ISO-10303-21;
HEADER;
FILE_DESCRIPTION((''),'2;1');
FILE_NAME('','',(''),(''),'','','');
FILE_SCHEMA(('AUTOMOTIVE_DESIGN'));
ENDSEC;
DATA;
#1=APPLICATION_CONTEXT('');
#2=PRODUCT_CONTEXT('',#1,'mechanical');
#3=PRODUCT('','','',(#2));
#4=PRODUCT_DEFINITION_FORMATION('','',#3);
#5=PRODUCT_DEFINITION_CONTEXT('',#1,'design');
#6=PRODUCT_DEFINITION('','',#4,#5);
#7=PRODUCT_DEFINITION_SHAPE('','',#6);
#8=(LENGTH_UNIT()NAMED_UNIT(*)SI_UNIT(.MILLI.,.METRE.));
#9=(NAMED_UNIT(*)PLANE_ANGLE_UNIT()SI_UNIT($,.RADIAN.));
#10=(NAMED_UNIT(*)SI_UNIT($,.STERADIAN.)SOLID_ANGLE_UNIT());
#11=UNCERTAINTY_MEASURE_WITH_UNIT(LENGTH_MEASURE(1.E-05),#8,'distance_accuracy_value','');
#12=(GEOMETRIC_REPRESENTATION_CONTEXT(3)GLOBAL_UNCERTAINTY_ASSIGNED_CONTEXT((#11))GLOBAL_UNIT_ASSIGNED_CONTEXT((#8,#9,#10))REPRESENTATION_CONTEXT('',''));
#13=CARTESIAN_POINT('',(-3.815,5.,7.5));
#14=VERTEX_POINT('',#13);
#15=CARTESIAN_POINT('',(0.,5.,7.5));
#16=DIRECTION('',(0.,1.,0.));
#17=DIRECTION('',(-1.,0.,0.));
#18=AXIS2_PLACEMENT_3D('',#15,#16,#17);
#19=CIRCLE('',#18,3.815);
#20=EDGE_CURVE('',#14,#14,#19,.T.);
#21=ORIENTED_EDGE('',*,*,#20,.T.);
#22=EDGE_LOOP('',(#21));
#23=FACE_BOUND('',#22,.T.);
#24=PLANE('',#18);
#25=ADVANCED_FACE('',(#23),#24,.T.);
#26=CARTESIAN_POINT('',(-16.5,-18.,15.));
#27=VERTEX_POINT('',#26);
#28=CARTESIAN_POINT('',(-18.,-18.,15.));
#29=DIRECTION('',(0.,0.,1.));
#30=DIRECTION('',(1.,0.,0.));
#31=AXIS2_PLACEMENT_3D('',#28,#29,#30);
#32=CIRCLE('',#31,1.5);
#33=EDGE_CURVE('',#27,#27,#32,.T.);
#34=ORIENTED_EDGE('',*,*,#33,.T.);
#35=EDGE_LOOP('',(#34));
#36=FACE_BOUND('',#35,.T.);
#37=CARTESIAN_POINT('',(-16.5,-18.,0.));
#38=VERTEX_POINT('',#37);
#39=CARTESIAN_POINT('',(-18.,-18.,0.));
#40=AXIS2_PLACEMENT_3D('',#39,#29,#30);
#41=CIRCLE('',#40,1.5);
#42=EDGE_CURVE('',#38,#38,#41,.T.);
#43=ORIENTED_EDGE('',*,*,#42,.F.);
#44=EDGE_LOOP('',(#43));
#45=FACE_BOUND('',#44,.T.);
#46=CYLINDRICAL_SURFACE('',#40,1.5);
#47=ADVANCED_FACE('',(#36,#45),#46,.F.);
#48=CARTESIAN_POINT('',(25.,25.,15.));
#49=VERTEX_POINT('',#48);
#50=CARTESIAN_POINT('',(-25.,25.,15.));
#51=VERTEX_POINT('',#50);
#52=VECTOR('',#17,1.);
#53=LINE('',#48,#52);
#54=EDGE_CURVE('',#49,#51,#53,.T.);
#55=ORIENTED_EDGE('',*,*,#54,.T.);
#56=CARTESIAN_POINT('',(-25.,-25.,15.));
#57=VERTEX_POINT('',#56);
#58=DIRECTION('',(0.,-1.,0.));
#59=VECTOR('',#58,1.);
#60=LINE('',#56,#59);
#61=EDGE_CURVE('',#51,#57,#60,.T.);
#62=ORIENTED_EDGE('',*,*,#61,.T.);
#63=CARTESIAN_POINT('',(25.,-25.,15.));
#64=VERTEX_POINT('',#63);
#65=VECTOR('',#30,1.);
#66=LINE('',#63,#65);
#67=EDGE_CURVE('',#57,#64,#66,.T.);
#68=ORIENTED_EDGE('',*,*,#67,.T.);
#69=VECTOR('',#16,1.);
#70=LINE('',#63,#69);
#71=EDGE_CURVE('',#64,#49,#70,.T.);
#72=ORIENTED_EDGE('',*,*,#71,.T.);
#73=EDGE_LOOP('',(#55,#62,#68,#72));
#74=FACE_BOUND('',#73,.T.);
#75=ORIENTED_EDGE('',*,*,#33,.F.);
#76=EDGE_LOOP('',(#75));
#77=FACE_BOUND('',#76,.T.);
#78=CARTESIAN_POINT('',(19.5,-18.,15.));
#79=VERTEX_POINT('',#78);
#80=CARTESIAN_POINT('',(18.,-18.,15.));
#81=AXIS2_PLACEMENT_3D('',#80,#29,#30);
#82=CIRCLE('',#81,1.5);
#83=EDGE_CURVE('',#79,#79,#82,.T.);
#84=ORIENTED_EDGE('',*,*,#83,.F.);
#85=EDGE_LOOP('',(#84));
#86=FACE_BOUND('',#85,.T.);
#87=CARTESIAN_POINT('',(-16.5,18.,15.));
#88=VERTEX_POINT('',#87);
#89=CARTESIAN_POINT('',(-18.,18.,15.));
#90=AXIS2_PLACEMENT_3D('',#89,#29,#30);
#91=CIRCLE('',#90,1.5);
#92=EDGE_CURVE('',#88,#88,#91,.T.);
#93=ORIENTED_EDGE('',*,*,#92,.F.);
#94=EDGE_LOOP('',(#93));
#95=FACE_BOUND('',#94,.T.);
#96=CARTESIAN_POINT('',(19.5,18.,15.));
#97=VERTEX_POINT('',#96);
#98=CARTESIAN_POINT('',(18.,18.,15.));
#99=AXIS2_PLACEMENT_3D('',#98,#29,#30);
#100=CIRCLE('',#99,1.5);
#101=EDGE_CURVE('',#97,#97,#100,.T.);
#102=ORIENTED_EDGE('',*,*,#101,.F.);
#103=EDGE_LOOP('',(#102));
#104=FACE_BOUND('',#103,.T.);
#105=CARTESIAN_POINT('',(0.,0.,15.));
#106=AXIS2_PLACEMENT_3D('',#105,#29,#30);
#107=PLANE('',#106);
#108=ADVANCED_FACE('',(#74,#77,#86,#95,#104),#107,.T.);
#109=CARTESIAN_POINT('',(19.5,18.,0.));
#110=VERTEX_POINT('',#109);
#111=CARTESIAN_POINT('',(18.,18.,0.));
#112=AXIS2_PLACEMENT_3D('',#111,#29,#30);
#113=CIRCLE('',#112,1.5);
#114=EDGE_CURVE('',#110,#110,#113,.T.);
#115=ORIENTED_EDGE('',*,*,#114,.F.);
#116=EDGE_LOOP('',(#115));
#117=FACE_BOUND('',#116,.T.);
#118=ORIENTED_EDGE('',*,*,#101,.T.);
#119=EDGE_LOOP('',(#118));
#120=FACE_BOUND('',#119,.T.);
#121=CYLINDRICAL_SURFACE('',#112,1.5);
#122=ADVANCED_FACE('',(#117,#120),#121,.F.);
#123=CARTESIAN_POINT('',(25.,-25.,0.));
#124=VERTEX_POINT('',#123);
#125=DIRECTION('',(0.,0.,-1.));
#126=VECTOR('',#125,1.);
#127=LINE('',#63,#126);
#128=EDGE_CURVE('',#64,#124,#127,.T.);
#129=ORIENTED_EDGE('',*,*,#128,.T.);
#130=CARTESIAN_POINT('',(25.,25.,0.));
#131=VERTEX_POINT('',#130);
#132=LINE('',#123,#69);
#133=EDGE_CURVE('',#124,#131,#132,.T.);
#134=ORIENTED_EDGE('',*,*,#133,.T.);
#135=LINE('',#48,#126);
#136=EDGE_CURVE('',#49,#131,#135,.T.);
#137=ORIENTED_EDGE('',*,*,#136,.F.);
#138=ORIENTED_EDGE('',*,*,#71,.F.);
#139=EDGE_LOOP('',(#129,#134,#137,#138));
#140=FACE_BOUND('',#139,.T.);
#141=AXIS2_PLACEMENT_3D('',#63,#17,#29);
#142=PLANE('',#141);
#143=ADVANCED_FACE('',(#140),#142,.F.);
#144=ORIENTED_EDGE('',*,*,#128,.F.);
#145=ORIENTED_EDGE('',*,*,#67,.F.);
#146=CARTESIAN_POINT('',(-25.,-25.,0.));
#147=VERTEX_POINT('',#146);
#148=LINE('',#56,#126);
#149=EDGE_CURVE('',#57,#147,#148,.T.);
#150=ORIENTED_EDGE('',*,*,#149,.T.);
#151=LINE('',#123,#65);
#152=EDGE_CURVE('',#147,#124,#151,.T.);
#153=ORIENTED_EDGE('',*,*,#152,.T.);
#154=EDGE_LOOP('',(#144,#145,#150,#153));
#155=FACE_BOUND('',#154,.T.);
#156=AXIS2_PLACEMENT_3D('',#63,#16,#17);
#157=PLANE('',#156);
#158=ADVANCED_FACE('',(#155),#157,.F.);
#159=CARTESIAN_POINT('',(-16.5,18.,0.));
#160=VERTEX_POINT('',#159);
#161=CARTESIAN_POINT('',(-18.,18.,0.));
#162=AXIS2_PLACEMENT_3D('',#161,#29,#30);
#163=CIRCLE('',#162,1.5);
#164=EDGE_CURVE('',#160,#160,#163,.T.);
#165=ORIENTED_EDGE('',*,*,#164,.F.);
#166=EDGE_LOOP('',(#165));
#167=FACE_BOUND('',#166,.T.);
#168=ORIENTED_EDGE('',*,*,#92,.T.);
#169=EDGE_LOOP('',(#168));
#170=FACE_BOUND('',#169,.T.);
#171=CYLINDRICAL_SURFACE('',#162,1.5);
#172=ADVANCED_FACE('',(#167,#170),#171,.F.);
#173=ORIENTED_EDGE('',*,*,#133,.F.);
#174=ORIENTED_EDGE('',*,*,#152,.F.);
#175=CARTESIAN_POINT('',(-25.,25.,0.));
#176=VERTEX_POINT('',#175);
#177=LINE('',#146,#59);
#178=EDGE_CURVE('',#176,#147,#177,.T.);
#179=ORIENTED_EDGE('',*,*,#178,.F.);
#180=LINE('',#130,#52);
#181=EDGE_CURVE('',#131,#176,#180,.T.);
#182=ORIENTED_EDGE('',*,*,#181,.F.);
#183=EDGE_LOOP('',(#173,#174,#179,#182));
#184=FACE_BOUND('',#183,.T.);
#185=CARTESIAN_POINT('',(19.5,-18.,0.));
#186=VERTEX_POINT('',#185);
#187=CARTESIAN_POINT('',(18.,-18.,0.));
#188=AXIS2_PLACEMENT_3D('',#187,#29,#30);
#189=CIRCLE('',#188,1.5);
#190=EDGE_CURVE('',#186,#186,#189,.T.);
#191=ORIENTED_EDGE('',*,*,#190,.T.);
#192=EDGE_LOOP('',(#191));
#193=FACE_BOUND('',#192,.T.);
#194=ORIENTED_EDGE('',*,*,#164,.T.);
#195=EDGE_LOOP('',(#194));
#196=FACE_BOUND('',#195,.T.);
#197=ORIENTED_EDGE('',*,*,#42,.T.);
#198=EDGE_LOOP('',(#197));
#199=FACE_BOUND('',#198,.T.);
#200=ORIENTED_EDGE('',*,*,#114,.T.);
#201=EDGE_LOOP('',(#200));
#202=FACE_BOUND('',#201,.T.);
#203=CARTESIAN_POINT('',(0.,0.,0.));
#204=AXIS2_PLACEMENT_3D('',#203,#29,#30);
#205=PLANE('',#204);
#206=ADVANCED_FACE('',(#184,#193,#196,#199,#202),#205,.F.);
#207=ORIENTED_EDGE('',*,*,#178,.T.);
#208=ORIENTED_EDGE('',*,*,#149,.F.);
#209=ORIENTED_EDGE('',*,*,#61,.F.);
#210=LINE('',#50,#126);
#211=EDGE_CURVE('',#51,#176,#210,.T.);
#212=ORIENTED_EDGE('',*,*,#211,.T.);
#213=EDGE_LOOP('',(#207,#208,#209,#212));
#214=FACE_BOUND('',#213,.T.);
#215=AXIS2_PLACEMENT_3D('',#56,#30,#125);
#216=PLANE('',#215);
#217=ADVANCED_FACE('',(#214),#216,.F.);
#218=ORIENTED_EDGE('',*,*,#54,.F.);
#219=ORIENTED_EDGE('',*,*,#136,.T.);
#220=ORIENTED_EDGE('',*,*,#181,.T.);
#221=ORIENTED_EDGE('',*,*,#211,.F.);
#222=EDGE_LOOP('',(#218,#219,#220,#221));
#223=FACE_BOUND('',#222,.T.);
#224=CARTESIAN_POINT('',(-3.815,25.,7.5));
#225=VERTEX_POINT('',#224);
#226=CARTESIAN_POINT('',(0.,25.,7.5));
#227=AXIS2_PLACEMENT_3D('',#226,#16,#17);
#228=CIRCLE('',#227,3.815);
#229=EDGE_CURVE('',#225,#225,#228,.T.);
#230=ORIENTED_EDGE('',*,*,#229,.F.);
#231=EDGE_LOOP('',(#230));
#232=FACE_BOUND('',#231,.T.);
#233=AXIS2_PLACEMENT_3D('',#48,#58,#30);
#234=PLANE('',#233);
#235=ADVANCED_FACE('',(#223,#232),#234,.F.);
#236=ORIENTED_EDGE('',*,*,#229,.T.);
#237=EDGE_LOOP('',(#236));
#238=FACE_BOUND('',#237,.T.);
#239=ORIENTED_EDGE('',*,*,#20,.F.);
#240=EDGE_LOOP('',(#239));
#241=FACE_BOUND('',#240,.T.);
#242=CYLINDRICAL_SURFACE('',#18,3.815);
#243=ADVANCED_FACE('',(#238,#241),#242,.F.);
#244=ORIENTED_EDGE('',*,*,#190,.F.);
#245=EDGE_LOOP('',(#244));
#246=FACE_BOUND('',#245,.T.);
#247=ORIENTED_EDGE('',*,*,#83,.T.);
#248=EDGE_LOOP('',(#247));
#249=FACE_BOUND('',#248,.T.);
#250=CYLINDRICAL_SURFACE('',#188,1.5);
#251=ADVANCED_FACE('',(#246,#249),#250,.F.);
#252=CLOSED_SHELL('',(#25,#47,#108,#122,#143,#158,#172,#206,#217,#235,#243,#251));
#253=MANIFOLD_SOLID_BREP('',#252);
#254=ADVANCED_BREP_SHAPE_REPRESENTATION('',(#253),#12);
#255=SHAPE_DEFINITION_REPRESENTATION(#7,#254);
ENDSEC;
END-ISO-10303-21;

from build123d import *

# Parameters (mm, degrees)
ESBO_O1_W                = 50
ESBO_O1_H                = 50
RESSALTO_EXTRUS_O1_DEPTH = 15
ESBO_O2_R                = 3.815
CORTE_EXTRUS_O1_DEPTH    = 20
ESBO_O3_R                = 1.5
CORTE_EXTRUS_O2_DEPTH    = 39.405728739


with BuildPart() as part:
    # Esboço1 → Ressalto-extrusão1 (new body)
    with BuildSketch(Plane.XY):
        Rectangle(ESBO_O1_W, ESBO_O1_H)
    extrude(amount=RESSALTO_EXTRUS_O1_DEPTH)

    # Esboço2 → Corte-extrusão1 (cut)
    with BuildSketch(Plane(origin=(0, 25, 0), x_dir=(1, 0, 0), z_dir=(0, 1, 0))):
        with Locations(Location((0, -7.5, 0), (0, 0, 180))):
            Circle(ESBO_O2_R)
    extrude(amount=-CORTE_EXTRUS_O1_DEPTH, mode=Mode.SUBTRACT)

    # Esboço3 → Corte-extrusão2 (cut, through all)
    with BuildSketch(Plane.XY.offset(15)):
        with Locations((-18, 18)):
            Circle(ESBO_O3_R)
        with Locations((-18, -18)):
            Circle(ESBO_O3_R)
        with Locations((18, 18)):
            Circle(ESBO_O3_R)
        with Locations((18, -18)):
            Circle(ESBO_O3_R)
    extrude(amount=-CORTE_EXTRUS_O2_DEPTH, mode=Mode.SUBTRACT)


solid = part.part
